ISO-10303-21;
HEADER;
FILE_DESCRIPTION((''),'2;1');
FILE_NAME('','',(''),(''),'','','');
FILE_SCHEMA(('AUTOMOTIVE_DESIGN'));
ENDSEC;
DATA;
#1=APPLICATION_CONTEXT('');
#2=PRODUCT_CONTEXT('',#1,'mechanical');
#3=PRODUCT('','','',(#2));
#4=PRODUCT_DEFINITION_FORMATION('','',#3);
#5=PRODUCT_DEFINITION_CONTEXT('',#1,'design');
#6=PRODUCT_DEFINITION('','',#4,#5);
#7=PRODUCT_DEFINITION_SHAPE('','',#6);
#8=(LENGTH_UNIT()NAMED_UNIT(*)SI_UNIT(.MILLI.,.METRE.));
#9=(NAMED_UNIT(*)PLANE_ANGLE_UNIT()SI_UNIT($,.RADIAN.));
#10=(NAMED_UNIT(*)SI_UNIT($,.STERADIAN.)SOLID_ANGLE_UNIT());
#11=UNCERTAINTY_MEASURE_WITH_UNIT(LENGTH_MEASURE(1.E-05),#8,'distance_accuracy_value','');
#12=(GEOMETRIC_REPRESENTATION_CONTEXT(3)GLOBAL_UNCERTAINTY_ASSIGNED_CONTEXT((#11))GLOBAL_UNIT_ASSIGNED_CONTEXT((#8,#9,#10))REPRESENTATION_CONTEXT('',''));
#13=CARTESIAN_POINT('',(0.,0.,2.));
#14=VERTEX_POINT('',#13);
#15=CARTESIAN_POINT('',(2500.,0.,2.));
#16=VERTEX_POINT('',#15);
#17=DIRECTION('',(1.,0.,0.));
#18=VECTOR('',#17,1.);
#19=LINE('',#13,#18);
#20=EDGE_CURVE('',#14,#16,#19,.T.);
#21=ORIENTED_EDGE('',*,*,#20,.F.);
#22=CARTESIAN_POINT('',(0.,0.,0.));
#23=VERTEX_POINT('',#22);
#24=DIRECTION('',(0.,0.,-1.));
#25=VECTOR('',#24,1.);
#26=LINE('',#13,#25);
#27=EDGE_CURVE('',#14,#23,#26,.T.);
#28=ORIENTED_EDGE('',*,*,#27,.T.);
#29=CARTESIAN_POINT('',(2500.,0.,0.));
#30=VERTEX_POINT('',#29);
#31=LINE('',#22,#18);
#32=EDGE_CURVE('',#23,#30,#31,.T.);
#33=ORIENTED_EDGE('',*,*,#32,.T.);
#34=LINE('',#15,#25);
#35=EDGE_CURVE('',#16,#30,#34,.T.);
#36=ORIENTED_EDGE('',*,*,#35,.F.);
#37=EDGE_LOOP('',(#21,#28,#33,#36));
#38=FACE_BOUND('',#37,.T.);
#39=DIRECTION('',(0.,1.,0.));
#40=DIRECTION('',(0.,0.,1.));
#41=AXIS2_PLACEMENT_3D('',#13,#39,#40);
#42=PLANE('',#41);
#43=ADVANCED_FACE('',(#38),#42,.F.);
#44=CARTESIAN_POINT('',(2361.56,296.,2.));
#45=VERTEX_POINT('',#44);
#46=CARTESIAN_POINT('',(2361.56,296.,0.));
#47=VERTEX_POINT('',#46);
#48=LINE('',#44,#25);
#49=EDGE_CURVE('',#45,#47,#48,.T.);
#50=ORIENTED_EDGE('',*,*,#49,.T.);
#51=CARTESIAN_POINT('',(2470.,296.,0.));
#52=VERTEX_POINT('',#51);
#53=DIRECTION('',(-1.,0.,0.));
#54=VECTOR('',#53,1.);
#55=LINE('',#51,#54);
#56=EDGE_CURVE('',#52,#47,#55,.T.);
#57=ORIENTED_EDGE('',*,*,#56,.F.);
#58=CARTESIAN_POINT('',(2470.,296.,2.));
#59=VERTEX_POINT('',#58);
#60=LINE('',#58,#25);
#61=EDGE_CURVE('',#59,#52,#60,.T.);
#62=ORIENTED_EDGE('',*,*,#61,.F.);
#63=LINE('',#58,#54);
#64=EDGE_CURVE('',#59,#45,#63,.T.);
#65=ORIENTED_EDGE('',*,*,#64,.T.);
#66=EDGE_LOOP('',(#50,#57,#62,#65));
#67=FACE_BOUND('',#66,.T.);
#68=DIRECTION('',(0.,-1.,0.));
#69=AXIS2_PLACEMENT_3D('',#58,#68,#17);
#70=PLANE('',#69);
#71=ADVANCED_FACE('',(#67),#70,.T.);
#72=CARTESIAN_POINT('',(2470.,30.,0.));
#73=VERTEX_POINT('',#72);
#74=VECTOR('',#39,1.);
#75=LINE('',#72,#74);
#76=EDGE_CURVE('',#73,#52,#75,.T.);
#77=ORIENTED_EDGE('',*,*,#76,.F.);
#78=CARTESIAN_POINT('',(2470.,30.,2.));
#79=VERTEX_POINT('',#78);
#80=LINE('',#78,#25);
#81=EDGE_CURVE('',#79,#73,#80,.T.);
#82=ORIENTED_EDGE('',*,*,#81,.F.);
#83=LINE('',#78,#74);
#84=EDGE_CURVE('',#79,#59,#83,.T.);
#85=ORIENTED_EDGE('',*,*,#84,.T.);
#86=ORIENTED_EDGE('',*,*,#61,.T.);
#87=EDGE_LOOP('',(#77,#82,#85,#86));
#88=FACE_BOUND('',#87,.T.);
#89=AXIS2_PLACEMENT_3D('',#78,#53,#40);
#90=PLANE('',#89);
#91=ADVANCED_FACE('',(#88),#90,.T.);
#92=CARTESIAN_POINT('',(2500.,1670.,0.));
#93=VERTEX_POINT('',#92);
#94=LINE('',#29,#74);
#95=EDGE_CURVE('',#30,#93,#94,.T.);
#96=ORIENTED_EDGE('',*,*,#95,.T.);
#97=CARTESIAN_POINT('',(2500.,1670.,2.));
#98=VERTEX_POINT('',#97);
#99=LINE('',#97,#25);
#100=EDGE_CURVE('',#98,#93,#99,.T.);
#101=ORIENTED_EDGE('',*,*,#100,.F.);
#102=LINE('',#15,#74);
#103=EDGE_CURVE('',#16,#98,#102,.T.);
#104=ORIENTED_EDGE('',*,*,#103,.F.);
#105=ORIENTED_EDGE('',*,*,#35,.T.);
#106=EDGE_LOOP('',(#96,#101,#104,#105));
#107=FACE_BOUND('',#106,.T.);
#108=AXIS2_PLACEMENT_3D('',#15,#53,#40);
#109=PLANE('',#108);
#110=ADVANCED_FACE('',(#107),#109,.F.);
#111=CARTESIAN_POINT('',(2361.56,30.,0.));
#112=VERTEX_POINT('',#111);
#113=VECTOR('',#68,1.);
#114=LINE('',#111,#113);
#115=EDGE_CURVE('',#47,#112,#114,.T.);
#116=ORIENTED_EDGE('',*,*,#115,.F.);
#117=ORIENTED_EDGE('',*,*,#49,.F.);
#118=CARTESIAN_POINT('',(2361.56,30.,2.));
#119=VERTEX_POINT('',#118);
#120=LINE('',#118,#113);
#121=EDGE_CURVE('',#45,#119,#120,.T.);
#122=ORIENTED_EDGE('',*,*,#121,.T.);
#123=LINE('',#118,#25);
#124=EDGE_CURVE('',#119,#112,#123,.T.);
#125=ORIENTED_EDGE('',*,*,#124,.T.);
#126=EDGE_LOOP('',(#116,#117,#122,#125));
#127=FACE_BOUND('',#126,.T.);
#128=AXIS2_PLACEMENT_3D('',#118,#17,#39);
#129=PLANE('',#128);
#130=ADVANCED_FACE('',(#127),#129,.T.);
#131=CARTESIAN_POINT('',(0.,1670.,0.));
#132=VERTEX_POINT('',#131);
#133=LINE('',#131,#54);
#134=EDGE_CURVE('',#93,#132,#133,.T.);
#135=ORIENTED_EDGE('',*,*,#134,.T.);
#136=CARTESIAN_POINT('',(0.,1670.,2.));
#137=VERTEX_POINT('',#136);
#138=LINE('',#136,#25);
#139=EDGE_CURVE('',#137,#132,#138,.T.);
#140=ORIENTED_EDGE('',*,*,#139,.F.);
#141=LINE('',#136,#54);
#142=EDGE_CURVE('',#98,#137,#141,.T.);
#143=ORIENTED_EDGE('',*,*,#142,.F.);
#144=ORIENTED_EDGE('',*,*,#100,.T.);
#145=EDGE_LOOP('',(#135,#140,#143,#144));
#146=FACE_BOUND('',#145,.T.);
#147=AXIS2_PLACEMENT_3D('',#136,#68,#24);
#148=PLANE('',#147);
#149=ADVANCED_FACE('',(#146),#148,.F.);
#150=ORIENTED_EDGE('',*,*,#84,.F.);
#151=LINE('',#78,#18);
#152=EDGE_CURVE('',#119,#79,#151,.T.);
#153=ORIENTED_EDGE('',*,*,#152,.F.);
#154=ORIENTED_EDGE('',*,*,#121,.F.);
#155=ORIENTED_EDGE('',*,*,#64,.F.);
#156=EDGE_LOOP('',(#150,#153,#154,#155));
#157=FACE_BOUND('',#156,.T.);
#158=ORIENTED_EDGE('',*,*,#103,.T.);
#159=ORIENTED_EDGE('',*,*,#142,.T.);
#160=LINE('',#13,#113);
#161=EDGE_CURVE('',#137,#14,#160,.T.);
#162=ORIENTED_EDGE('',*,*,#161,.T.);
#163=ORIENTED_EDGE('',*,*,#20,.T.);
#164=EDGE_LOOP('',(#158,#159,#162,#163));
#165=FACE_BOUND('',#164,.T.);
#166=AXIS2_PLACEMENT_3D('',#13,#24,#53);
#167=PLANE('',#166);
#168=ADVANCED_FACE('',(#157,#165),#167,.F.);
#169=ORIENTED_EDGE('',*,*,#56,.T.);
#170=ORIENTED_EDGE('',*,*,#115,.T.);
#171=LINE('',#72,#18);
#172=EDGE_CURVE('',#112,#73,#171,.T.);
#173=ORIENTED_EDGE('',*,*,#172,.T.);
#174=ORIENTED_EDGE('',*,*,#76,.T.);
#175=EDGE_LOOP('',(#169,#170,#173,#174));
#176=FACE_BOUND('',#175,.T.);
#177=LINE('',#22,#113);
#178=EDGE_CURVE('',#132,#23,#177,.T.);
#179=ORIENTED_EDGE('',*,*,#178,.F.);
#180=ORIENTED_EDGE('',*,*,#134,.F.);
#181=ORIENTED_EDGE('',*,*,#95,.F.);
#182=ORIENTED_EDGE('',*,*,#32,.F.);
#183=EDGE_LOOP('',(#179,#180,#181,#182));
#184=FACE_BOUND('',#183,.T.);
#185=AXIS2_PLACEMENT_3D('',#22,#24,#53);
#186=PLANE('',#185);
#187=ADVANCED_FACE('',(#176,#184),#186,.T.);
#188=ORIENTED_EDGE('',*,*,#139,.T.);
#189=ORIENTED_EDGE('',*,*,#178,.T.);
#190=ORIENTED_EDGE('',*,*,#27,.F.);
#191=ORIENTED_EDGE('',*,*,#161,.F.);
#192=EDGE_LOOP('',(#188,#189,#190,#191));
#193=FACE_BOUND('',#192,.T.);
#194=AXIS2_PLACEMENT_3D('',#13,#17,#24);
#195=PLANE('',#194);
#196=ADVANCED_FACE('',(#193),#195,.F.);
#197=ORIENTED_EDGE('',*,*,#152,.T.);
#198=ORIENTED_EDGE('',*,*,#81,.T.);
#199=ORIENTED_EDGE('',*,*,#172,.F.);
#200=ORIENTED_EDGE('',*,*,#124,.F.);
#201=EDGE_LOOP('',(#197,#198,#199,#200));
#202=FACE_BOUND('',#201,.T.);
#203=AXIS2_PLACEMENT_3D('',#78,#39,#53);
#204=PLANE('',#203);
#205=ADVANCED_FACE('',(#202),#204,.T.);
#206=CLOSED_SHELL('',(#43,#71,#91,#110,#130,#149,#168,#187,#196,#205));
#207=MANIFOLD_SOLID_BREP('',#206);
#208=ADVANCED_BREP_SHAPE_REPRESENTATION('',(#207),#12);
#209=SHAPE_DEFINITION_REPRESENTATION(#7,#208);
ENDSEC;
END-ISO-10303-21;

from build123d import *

# Parameters (mm, degrees)
SKETCH1_W           = 2500
SKETCH1_H           = 1670
SKETCH1_W_2         = 108.44
SKETCH1_H_2         = 266
BOSS_EXTRUDE1_DEPTH = 2


with BuildPart() as part:
    # Sketch1 → Boss-Extrude1 (new body)
    with BuildSketch(Plane.XY):
        with Locations((1250, 835)):
            Rectangle(SKETCH1_W, SKETCH1_H)
        with Locations((2415.78, 163)):
            Rectangle(SKETCH1_W_2, SKETCH1_H_2, mode=Mode.SUBTRACT)
    extrude(amount=BOSS_EXTRUDE1_DEPTH)


solid = part.part
